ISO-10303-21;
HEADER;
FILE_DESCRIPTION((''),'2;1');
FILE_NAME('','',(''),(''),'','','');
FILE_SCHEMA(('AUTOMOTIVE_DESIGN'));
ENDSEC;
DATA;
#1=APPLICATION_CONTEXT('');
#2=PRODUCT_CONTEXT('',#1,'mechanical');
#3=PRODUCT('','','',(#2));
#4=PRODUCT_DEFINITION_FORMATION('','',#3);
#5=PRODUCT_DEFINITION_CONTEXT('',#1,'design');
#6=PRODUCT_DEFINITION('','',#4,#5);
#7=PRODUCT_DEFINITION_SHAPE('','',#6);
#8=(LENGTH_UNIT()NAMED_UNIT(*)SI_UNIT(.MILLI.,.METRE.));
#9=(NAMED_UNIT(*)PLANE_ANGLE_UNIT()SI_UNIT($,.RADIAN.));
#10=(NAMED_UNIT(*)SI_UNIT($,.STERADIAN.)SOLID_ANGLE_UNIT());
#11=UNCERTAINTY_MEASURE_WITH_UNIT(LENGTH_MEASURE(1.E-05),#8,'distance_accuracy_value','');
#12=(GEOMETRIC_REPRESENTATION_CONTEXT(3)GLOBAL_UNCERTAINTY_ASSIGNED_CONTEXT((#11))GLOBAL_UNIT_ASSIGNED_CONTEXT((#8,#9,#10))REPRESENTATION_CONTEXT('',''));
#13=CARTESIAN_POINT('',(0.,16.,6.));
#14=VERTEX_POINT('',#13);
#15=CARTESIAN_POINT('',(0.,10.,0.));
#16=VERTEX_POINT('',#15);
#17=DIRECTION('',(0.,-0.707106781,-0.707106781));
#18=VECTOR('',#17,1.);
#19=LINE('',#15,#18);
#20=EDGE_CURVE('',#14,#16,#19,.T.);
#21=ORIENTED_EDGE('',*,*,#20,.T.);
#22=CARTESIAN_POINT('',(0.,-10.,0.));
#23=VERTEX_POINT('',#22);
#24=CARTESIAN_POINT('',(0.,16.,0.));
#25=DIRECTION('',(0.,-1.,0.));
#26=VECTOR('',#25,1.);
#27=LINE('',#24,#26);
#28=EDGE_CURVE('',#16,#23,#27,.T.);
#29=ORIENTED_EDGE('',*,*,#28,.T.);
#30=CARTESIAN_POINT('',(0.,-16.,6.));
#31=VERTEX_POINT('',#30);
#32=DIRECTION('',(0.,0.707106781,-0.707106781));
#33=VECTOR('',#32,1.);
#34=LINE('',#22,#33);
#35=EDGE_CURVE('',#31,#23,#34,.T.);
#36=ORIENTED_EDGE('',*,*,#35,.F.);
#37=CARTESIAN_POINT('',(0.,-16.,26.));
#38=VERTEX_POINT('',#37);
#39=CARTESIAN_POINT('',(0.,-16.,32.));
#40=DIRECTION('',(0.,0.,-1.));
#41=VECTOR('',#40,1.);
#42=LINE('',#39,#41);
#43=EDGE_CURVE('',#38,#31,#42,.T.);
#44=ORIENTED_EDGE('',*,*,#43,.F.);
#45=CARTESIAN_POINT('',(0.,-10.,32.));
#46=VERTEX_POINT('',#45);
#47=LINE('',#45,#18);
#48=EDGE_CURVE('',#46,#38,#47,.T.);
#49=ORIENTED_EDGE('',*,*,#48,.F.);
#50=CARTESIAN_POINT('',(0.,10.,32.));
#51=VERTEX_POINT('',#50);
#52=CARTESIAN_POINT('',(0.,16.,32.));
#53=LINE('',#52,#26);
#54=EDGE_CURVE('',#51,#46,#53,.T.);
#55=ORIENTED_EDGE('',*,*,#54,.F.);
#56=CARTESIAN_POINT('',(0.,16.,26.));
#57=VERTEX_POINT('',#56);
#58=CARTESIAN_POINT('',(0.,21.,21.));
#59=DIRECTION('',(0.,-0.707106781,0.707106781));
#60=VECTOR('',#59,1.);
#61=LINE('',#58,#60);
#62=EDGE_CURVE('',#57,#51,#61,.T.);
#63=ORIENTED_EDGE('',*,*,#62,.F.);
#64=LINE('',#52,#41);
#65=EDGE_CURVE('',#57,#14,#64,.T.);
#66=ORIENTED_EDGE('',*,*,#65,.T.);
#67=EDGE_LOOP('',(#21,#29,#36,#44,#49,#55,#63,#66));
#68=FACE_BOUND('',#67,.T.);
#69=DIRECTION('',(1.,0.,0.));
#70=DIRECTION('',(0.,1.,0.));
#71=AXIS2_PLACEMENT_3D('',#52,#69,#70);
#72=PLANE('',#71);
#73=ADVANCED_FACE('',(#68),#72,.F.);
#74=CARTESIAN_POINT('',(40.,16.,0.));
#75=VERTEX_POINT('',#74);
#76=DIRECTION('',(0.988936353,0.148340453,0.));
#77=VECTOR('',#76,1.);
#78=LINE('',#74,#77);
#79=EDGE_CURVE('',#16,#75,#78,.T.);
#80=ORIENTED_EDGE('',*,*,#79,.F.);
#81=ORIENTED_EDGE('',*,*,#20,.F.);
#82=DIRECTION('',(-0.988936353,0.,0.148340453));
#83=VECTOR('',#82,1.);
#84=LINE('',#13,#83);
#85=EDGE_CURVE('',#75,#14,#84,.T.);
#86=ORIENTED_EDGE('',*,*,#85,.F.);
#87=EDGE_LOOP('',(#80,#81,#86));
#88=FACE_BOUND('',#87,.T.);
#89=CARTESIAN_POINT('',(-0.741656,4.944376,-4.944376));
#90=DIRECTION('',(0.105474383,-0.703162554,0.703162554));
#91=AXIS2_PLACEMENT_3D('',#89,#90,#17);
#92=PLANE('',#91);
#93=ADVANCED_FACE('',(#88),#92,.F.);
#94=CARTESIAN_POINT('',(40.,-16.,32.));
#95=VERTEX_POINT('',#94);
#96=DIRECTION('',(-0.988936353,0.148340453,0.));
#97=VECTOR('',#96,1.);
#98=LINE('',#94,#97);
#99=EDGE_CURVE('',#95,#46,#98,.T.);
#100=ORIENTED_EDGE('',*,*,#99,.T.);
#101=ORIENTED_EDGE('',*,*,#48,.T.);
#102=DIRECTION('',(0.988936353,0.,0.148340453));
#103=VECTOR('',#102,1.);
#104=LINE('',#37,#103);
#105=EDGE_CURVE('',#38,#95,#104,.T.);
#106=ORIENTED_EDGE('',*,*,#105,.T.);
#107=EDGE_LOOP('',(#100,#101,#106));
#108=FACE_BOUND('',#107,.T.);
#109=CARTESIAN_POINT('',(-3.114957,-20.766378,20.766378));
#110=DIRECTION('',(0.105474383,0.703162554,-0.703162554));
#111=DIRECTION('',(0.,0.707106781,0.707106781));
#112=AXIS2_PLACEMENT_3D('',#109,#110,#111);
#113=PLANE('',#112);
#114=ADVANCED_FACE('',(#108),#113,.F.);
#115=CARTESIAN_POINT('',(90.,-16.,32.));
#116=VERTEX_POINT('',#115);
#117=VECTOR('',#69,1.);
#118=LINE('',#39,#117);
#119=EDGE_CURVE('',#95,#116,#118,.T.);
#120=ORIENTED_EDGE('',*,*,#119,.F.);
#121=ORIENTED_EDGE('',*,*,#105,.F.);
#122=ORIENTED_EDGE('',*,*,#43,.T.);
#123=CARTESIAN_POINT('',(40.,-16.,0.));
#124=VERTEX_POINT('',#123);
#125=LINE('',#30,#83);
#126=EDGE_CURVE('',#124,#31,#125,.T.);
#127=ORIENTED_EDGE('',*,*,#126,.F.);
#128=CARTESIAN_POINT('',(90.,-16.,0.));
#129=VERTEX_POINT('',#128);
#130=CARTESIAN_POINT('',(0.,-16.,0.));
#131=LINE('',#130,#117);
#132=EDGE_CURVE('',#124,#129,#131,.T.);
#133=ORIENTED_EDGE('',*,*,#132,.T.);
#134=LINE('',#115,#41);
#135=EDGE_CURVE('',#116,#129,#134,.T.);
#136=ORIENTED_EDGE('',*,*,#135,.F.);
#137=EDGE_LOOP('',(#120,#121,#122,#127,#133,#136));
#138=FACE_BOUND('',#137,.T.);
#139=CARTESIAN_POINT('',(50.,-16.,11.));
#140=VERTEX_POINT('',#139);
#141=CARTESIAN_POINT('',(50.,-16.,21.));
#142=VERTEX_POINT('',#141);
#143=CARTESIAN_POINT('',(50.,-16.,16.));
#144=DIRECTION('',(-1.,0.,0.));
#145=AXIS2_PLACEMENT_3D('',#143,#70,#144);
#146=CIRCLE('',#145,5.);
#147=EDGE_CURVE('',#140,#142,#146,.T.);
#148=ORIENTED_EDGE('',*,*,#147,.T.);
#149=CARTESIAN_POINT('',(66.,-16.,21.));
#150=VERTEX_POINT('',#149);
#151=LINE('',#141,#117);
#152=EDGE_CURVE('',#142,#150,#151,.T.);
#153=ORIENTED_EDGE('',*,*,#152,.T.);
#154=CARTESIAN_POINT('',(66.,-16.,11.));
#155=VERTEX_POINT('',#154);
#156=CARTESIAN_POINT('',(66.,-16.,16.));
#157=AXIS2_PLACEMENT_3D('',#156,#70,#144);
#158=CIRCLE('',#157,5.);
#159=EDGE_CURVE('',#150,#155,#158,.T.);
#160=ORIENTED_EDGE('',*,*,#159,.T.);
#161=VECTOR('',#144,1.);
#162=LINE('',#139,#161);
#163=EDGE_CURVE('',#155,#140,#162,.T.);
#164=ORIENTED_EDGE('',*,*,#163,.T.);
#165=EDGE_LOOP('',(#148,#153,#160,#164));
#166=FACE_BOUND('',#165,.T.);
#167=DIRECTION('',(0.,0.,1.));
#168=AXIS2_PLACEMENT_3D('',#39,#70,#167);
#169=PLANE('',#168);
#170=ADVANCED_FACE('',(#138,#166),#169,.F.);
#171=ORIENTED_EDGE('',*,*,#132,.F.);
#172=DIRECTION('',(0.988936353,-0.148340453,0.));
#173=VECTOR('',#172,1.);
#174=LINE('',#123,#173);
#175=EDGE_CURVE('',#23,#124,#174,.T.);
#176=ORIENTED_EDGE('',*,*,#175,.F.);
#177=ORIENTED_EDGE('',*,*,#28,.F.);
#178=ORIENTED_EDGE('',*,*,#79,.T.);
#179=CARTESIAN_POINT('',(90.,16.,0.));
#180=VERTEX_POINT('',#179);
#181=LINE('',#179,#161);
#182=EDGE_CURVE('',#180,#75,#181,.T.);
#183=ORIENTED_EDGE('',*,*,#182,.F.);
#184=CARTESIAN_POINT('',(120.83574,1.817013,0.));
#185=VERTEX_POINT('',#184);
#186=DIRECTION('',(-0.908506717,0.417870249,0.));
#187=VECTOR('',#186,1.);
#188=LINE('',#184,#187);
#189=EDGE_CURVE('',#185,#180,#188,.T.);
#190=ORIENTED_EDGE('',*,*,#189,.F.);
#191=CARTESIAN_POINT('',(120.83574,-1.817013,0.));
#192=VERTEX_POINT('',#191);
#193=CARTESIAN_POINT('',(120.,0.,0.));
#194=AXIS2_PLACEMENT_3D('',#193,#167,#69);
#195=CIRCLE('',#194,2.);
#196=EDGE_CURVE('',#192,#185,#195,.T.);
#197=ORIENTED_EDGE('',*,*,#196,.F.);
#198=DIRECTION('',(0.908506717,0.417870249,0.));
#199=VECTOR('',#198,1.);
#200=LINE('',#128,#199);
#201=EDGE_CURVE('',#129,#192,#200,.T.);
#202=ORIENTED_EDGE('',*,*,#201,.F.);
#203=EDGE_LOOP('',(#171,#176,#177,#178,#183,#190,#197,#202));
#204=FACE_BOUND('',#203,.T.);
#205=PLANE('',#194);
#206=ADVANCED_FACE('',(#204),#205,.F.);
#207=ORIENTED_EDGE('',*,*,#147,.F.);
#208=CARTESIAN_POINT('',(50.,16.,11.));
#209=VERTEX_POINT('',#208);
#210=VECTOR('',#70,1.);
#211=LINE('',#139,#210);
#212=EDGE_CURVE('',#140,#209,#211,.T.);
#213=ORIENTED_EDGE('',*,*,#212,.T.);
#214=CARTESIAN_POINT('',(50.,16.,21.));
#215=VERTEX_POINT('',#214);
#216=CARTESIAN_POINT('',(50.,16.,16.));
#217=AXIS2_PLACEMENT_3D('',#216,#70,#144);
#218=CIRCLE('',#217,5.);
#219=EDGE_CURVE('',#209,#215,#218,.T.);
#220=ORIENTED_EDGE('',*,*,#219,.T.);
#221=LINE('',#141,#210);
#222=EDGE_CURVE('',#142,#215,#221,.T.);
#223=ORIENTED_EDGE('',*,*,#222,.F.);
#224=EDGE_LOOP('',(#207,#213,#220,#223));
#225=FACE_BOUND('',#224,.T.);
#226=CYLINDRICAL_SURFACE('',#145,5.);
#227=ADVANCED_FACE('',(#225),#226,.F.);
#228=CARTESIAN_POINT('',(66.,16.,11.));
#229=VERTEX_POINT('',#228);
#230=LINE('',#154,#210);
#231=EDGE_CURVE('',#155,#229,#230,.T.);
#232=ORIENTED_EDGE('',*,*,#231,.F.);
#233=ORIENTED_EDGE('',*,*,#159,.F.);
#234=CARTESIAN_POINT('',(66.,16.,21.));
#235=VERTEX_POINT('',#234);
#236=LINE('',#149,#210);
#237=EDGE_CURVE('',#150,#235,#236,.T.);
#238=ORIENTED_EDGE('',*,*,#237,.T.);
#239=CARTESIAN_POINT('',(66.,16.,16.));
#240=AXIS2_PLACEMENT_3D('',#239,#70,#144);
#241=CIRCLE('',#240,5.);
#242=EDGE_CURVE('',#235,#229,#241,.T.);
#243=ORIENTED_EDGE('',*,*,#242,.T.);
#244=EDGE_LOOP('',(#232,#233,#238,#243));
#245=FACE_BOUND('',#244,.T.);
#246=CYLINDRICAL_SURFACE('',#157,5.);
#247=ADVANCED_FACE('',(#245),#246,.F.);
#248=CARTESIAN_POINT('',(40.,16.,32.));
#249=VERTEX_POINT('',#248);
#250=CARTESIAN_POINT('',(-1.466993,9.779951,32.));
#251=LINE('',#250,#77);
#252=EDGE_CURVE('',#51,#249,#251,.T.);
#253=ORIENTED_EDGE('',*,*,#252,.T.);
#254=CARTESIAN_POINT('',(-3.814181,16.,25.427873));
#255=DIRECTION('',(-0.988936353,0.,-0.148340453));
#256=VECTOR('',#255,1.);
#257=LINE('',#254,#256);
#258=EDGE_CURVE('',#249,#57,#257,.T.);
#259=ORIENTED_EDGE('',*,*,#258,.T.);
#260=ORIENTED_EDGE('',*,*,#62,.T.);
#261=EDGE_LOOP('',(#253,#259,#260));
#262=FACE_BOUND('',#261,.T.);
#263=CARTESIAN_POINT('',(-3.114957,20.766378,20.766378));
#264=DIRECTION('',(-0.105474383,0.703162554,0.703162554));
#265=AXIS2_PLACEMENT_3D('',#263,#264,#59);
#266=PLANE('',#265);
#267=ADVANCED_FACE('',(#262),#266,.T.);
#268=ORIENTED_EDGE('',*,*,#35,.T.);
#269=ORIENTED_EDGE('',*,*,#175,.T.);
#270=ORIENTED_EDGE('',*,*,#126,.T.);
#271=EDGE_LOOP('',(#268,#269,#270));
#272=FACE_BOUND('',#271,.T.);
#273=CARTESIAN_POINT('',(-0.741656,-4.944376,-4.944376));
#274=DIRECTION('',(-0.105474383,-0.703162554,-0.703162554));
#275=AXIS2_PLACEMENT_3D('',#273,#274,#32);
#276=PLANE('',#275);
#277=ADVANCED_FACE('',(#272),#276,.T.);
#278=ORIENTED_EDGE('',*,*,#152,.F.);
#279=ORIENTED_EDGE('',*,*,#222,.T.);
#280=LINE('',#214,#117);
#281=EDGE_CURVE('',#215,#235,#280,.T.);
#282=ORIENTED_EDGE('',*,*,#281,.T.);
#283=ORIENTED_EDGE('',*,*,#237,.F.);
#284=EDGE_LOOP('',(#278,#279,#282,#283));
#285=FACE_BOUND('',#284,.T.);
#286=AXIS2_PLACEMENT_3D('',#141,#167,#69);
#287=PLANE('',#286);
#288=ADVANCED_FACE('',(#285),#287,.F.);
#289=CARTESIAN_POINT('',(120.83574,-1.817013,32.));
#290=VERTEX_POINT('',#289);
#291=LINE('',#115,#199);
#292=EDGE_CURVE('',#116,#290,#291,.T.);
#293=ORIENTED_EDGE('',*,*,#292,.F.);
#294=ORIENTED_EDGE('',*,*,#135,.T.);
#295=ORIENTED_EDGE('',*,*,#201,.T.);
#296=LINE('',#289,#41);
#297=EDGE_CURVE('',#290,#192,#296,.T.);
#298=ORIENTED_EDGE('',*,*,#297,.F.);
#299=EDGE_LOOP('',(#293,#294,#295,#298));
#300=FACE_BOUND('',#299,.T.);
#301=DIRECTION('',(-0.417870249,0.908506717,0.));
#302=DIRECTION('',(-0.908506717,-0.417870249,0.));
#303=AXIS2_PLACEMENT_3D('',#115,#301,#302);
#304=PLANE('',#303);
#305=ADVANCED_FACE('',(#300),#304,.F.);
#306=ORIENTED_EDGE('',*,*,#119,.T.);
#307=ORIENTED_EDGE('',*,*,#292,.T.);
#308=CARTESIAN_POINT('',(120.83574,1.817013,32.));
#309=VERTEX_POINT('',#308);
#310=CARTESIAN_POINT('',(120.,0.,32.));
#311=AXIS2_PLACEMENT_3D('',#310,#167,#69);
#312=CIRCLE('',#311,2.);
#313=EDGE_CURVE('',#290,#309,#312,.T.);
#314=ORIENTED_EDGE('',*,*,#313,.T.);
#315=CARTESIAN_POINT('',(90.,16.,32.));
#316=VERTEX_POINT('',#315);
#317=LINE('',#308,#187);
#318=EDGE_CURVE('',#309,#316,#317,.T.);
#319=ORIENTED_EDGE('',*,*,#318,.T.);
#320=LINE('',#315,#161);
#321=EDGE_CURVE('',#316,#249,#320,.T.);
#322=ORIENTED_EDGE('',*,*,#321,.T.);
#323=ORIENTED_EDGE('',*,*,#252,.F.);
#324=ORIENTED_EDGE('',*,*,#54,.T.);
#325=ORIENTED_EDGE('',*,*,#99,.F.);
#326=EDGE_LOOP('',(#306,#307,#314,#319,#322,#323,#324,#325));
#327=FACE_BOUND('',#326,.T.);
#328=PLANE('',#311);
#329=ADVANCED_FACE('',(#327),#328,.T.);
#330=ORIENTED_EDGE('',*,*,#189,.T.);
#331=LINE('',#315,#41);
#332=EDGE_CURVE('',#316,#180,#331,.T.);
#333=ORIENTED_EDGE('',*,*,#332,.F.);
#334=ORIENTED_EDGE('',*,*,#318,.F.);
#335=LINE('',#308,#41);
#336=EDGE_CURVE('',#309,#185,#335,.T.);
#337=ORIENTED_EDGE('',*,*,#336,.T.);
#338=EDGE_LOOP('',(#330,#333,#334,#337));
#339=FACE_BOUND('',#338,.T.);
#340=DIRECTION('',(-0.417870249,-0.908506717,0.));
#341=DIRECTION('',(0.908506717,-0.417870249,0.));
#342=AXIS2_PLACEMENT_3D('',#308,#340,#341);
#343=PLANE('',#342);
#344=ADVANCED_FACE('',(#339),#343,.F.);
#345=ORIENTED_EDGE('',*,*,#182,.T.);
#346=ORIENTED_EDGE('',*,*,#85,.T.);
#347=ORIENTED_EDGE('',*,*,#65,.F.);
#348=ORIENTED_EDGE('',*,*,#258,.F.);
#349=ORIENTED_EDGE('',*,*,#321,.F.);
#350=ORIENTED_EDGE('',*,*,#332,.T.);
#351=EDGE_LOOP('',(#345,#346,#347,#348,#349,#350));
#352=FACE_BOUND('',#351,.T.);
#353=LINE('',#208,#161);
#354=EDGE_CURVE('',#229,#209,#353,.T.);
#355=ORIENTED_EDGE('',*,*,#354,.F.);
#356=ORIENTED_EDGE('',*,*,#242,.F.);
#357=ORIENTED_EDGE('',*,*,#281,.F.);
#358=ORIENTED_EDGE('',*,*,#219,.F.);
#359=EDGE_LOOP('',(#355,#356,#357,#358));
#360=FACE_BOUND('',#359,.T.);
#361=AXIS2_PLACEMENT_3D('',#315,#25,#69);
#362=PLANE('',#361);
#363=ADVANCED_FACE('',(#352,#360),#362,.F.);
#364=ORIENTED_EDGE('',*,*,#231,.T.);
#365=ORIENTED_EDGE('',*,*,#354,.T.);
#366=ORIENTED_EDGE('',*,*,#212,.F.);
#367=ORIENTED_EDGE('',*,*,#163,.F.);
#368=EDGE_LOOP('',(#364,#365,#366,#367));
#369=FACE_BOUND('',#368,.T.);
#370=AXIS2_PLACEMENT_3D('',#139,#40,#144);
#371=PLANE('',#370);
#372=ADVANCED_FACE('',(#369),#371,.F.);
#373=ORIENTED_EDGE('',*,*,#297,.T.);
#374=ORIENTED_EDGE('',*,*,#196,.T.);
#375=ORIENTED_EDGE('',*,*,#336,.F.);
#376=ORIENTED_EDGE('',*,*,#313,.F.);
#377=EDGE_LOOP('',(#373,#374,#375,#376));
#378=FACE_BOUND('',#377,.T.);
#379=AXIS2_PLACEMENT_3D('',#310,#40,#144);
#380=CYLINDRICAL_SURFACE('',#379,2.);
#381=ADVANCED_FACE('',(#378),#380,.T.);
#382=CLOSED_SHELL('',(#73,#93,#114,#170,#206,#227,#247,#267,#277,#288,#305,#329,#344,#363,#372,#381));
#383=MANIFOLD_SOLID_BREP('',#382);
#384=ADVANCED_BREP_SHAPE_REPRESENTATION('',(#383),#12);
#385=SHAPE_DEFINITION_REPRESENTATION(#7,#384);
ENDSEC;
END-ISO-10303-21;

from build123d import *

# Parameters (mm, degrees)
BOSS_EXTRUDE1_DEPTH = 32
CUT_EXTRUDE1_DEPTH  = 32
CUT_EXTRUDE2_DEPTH  = 32
CUT_EXTRUDE3_DEPTH  = 32
CUT_EXTRUDE5_DEPTH  = 32
CUT_EXTRUDE6_DEPTH  = 32


with BuildPart() as part:
    # Sketch1 → Boss-Extrude1 (new body)
    with BuildSketch(Plane.XY):
        with BuildLine():
            Line((0, 16), (0, -16))
            Line((0, -16), (90, -16))
            Line((90, -16), (120.835740498, -1.817013434))
            ThreePointArc((120.835740498, -1.817013434), (122, 0), (120.835740498, 1.817013434))
            Line((120.835740498, 1.817013434), (90, 16))
            Line((90, 16), (0, 16))
        make_face()
    extrude(amount=BOSS_EXTRUDE1_DEPTH)

    # Sketch2 → Cut-Extrude1 (cut)
    with BuildSketch(Plane(origin=(0, 16, 0), x_dir=(1, 0, 0), z_dir=(0, 1, 0))):
        with BuildLine():
            Line((50, -11), (66, -11))
            ThreePointArc((66, -11), (71, -16), (66, -21))
            Line((66, -21), (50, -21))
            ThreePointArc((50, -21), (45, -16), (50, -11))
        make_face()
    extrude(amount=-CUT_EXTRUDE1_DEPTH, mode=Mode.SUBTRACT)

    # Sketch5 → Cut-Extrude2 (cut)
    with BuildSketch(Plane(origin=(-3.114956737, 20.766378245, 20.766378245), x_dir=(0.9944220203272567, 0.07458165152454437, 0.0745816515245444), z_dir=(-0.10547438309019469, 0.70316255393463, 0.70316255393463))):
        Polygon((3.132429364, -7.071067812), (3.132429364, -15.556349186), (43.356800086, -11.313708499), align=None)
    extrude(amount=CUT_EXTRUDE2_DEPTH, mode=Mode.SUBTRACT)

    # Sketch11 → Cut-Extrude3 (cut)
    with BuildSketch(Plane(origin=(-3.114956737, -20.766378245, 20.766378245), x_dir=(0.9944220203272567, -0.07458165152454421, 0.07458165152454423), z_dir=(-0.10547438309019447, -0.7031625539346299, 0.7031625539346302))):
        Polygon((43.356800086, 11.313708499), (3.132429364, 15.556349186), (3.132429364, 7.071067812), align=None)
    extrude(amount=CUT_EXTRUDE3_DEPTH, mode=Mode.SUBTRACT)

    # Sketch12 → Cut-Extrude5 (cut)
    with BuildSketch(Plane(origin=(-0.741656366, -4.944375773, -4.944375773), x_dir=(-0.9944220203272567, 0.07458165152454425, 0.07458165152454425), z_dir=(-0.10547438309019451, -0.70316255393463, -0.70316255393463))):
        Polygon((-40.970187237, -11.313708499), (-0.745816515, -7.071067812), (-0.745816515, -15.556349186), align=None)
    extrude(amount=CUT_EXTRUDE5_DEPTH, mode=Mode.SUBTRACT)

    # Sketch13 → Cut-Extrude6 (cut)
    with BuildSketch(Plane(origin=(-0.741656366, 4.944375773, -4.944375773), x_dir=(0.9944220203272567, 0.07458165152454421, -0.07458165152454421), z_dir=(0.10547438309019444, -0.70316255393463, 0.70316255393463))):
        Polygon((40.970187237, 11.313708499), (0.745816515, 7.071067812), (0.745816515, 15.556349186), align=None)
    extrude(amount=-CUT_EXTRUDE6_DEPTH, mode=Mode.SUBTRACT)


solid = part.part
